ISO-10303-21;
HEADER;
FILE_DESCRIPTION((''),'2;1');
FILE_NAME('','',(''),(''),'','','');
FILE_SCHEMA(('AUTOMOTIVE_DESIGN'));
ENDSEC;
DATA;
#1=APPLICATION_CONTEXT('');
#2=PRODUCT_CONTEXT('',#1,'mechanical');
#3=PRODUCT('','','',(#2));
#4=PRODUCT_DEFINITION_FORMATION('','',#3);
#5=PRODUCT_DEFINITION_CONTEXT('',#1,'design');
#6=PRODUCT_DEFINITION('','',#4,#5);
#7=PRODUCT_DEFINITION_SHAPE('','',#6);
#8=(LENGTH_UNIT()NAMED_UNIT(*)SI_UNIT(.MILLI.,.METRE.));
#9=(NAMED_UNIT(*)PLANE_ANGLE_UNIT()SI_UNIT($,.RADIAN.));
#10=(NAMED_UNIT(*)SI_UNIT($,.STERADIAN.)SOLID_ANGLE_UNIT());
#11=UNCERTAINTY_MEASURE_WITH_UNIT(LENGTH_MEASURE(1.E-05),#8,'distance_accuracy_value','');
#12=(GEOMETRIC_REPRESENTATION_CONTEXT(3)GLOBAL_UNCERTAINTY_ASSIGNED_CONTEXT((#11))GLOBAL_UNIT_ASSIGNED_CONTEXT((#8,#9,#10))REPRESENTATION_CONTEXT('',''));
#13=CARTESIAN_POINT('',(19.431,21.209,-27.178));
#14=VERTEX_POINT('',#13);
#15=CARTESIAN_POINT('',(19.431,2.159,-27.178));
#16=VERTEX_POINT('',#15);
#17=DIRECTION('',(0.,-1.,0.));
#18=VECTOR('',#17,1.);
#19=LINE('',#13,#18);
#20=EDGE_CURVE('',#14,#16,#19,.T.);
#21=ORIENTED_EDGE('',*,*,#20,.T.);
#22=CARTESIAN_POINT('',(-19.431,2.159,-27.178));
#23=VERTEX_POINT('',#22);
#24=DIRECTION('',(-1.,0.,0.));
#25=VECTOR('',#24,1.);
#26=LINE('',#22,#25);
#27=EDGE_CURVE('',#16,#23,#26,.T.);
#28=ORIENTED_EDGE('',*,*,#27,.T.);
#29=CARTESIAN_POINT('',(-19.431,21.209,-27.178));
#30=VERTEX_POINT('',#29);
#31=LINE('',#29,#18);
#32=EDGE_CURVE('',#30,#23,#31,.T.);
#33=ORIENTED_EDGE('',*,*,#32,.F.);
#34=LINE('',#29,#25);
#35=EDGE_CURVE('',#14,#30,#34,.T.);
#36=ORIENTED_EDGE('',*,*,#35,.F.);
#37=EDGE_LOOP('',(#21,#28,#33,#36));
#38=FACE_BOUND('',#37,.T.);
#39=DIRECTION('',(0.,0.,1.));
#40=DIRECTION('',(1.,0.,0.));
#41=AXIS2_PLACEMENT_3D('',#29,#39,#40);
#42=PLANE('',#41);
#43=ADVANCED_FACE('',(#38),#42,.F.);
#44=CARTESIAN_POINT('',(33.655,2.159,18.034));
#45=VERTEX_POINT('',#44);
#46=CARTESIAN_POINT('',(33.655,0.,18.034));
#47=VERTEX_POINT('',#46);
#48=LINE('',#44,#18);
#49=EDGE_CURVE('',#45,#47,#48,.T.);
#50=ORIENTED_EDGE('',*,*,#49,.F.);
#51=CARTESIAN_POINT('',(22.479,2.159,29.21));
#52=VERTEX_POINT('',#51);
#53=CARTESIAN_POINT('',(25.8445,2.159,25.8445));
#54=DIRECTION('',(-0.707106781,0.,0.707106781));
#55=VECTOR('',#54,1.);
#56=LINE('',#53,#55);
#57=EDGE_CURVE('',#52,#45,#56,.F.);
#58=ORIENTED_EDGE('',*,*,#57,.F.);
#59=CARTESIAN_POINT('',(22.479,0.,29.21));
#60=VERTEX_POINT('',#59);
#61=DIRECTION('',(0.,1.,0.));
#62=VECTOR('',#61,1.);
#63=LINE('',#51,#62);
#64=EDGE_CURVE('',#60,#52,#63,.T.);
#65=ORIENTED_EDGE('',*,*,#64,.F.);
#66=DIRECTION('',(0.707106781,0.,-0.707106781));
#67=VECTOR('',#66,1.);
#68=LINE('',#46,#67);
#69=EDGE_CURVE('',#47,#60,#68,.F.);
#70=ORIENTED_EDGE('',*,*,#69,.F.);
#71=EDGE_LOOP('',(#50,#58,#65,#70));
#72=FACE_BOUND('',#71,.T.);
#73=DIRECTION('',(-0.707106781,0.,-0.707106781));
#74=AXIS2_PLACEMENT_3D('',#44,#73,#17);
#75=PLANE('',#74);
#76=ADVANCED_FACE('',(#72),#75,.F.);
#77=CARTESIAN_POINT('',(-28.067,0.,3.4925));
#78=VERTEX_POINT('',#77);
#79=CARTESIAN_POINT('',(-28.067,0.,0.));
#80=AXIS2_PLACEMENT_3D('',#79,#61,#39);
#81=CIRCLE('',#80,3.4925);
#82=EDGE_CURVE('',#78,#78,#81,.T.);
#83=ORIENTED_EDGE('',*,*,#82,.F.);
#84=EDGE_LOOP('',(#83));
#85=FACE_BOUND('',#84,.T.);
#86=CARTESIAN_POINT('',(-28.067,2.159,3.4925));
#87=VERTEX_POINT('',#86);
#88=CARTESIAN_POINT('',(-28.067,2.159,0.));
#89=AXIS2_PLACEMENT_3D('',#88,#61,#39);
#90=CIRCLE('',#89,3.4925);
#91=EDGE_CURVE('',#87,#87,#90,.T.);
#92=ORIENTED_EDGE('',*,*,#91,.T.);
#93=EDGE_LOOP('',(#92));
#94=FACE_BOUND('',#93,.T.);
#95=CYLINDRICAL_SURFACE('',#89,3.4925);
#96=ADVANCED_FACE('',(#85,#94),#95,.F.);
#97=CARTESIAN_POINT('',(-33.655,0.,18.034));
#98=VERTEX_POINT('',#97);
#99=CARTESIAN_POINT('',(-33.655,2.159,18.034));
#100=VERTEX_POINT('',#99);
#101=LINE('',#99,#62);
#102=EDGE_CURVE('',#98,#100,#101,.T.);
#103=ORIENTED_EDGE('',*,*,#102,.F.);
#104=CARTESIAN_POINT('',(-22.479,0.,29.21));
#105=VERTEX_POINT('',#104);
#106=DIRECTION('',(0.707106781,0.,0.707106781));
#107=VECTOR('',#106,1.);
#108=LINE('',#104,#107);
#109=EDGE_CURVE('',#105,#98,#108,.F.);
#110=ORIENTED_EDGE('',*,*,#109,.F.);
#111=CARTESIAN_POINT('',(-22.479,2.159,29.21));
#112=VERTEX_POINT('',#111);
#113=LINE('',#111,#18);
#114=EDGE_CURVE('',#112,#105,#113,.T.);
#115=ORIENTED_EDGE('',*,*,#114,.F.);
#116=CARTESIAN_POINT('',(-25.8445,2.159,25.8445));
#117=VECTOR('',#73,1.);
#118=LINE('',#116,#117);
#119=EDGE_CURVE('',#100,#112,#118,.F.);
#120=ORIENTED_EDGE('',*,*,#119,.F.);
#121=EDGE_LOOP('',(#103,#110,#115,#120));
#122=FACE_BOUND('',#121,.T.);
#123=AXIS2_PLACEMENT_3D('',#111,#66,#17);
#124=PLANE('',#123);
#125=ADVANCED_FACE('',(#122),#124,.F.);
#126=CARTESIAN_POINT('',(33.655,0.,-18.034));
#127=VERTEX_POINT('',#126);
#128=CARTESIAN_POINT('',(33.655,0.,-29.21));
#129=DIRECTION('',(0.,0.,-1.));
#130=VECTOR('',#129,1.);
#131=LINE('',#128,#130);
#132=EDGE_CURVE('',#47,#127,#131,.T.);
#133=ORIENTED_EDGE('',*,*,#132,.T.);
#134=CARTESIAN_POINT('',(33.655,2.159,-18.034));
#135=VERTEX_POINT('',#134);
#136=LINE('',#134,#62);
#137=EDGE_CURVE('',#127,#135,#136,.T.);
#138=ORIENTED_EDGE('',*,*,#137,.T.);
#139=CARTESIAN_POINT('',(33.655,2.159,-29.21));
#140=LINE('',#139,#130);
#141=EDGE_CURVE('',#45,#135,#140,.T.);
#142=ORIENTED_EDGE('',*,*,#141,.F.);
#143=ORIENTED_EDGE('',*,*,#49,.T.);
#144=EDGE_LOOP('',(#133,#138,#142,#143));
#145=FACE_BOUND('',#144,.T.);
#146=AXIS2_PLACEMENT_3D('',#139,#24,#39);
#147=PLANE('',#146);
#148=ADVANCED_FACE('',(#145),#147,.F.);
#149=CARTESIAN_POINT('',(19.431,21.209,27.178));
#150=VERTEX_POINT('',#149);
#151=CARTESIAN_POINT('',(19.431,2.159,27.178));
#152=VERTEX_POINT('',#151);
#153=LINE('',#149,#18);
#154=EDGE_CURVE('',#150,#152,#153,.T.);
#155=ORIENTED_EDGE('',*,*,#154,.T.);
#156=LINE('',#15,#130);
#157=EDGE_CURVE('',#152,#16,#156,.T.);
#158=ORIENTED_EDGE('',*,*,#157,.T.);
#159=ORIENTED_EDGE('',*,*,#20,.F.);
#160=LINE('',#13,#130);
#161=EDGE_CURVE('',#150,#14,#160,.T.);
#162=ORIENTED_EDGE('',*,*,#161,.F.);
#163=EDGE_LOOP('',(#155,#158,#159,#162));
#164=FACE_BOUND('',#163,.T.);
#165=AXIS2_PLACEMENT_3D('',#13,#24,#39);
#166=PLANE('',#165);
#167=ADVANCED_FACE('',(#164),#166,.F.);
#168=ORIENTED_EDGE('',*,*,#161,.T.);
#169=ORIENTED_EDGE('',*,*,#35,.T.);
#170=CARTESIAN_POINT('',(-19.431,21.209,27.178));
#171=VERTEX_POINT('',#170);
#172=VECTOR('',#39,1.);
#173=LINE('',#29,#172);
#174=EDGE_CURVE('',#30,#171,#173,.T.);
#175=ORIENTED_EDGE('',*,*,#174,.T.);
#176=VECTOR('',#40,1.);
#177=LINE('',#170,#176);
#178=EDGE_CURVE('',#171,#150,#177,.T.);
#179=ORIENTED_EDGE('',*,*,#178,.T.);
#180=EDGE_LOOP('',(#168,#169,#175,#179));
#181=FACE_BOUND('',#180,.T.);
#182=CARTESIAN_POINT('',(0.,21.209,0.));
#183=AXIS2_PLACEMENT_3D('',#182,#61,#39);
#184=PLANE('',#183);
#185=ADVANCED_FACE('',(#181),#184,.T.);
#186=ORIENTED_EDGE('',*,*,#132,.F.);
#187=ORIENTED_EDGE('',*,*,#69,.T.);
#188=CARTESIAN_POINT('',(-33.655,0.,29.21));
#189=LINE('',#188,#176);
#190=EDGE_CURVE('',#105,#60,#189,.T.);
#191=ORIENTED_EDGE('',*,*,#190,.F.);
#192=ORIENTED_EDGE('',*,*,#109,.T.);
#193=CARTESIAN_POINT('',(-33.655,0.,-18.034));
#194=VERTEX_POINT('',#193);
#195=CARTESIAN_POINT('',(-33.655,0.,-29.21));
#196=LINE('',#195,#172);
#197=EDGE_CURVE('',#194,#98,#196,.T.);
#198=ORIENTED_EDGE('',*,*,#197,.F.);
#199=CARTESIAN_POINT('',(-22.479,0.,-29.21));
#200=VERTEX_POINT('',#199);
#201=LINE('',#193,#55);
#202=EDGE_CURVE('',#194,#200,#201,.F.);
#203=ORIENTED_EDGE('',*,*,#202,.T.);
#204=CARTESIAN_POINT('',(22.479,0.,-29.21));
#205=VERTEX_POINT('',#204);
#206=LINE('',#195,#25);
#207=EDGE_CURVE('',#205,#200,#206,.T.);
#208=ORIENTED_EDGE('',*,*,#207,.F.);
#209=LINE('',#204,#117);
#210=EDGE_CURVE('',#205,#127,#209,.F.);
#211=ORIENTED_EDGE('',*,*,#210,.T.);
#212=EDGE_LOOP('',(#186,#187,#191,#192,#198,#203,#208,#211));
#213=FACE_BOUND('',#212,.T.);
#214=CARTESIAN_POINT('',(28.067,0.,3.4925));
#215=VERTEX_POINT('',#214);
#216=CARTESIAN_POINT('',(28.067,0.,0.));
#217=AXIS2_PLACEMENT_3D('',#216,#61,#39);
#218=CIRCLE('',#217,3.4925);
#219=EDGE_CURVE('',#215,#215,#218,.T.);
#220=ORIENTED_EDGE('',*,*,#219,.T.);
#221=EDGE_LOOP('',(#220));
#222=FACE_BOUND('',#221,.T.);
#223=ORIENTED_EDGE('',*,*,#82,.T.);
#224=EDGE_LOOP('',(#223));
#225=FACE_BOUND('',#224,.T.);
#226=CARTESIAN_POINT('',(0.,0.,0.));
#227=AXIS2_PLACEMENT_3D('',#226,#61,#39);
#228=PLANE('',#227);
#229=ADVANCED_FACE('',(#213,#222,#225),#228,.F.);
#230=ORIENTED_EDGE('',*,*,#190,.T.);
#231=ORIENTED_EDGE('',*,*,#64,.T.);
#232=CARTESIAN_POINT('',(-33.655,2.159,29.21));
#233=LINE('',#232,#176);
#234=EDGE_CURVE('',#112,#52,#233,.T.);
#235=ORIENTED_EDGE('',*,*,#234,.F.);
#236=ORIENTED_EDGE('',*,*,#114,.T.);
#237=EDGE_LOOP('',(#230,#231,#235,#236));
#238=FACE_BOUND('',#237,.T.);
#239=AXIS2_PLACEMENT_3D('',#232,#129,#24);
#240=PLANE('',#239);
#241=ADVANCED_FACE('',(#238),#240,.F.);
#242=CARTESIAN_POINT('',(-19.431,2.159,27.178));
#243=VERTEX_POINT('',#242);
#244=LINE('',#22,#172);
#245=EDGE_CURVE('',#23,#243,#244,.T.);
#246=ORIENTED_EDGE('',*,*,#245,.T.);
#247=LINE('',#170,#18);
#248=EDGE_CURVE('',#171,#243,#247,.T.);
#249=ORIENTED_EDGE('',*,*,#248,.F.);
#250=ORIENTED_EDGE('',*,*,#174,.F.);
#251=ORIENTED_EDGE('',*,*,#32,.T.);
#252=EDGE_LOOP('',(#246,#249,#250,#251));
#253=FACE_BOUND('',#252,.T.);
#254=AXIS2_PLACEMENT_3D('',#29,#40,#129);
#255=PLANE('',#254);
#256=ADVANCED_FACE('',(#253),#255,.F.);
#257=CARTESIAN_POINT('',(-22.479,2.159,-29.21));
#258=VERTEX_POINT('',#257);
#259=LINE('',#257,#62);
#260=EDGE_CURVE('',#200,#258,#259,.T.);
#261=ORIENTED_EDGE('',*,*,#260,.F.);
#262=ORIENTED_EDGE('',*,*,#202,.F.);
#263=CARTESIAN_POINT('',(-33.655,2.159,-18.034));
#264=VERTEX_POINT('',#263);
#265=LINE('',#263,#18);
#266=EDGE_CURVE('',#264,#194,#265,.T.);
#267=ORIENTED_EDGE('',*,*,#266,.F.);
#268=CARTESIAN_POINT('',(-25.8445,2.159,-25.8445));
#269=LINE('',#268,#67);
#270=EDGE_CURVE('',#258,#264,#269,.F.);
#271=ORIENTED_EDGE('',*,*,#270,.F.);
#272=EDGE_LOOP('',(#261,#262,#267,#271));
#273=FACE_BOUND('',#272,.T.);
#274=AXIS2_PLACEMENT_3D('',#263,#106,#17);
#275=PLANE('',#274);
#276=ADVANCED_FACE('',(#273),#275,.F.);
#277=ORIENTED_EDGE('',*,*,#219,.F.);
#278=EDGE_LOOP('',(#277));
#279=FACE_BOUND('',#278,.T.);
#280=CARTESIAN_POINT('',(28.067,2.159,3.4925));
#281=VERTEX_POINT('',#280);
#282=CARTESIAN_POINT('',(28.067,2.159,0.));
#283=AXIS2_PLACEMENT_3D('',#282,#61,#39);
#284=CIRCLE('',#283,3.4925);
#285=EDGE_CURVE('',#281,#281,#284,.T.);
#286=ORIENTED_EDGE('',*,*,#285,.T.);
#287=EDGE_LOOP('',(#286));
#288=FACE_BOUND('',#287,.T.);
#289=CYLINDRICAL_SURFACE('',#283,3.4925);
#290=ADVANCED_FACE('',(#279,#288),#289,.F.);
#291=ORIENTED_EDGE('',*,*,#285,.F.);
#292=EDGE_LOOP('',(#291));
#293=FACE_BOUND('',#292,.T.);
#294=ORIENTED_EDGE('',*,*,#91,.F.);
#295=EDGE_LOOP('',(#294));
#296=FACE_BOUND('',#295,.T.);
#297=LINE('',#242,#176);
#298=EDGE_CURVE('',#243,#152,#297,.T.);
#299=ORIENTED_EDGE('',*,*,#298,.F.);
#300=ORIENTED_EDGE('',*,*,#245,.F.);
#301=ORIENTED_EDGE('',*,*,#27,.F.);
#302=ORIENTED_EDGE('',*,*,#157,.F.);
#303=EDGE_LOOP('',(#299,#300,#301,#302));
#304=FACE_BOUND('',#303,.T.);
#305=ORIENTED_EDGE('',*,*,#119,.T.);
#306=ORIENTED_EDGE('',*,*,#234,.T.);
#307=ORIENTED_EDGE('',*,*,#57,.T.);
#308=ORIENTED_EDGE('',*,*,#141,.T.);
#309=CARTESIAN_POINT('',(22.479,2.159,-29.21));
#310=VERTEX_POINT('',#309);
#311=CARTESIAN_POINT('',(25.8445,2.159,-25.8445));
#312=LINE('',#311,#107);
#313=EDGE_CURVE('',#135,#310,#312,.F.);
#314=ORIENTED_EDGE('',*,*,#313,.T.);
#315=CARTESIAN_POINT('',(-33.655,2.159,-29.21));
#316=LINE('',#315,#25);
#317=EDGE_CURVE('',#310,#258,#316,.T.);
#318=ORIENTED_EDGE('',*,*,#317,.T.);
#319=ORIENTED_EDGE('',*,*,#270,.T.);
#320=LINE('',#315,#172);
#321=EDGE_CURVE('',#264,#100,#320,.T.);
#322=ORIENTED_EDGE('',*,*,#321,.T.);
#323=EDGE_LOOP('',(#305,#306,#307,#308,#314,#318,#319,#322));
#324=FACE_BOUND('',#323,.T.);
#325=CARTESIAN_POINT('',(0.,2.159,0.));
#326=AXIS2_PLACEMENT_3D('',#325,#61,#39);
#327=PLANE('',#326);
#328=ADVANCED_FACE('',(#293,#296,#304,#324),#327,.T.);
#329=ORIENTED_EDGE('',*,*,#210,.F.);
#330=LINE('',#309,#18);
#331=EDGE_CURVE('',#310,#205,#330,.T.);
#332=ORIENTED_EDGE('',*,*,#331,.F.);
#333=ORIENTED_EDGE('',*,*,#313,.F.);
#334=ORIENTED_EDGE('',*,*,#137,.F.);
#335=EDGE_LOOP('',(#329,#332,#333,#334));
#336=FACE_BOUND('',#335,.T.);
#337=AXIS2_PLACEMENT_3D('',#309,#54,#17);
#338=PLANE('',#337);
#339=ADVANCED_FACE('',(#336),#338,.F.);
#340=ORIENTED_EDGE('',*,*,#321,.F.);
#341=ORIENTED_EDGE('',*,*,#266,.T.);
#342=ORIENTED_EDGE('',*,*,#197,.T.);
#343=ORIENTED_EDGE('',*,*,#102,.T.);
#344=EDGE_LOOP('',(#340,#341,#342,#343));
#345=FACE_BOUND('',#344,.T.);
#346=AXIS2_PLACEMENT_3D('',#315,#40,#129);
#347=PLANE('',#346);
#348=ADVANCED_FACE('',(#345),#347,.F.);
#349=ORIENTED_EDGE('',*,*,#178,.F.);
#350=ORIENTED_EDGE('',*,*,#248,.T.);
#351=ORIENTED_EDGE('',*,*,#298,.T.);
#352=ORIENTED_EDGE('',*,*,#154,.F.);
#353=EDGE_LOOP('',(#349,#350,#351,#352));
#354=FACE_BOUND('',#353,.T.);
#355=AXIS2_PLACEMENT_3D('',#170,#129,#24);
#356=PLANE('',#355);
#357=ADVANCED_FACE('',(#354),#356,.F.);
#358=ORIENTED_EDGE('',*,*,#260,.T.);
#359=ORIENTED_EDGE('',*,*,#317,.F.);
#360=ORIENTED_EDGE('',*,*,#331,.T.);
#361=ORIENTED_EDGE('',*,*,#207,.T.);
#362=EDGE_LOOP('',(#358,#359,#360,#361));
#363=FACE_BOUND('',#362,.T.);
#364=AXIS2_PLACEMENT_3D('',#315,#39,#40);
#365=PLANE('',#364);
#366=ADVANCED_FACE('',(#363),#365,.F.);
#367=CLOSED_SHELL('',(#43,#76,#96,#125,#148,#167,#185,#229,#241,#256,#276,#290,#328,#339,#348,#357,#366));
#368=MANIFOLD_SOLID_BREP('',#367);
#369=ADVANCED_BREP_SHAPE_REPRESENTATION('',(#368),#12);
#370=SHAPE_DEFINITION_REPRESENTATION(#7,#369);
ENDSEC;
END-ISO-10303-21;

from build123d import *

# Parameters (mm, degrees)
SKETCH1_W           = 67.31
SKETCH1_H           = 58.42
BOSS_EXTRUDE1_DEPTH = 2.159
SKETCH2_W           = 38.862
SKETCH2_H           = 54.356
BOSS_EXTRUDE3_DEPTH = 19.05
CHAMFER1_SIZE       = 11.176


with BuildPart() as part:
    # Sketch1 → Boss-Extrude1 (new body)
    with BuildSketch(Plane(origin=(0, 0, 0), x_dir=(1, 0, 0), z_dir=(0, 1, 0))):
        Rectangle(SKETCH1_W, SKETCH1_H)
    extrude(amount=BOSS_EXTRUDE1_DEPTH)

    # Sketch2 → Boss-Extrude3 (add)
    with BuildSketch(Plane(origin=(0, 2.159, 0), x_dir=(1, 0, 0), z_dir=(0, 1, 0))):
        Rectangle(SKETCH2_W, SKETCH2_H)
    extrude(amount=BOSS_EXTRUDE3_DEPTH)

    # Sketch5 → #97 (0.275) Diameter Hole1 (revolve, cut)
    with BuildSketch(Plane(origin=(28.067, 2.159, 0), x_dir=(0, 0, 1), z_dir=(1, 0, 0))):
        Polygon((0, 0), (0, 6.162505712), (3.4925, 4.064), (3.4925, 0), align=None)
    f_97_0_275_diameter_hole1 = revolve(axis=Axis((28.067, 8.509, 0), (0, -1, 0)), mode=Mode.SUBTRACT)

    # Mirror1: #97 (0.275) Diameter Hole1 across plane
    add(f_97_0_275_diameter_hole1.mirror(Plane(origin=(0, 0, 0), x_dir=(0, 0, 1), z_dir=(1, 0, 0))), mode=Mode.SUBTRACT)

    # Chamfer1
    chamfer1_edges = [part.edges().sort_by_distance(p)[0] for p in [
        (33.655, 1.0795, 29.21),
        (-33.655, 1.0795, 29.21),
        (-33.655, 1.0795, -29.21),
        (33.655, 1.0795, -29.21),
    ]]
    chamfer(chamfer1_edges, length=CHAMFER1_SIZE)


solid = part.part
